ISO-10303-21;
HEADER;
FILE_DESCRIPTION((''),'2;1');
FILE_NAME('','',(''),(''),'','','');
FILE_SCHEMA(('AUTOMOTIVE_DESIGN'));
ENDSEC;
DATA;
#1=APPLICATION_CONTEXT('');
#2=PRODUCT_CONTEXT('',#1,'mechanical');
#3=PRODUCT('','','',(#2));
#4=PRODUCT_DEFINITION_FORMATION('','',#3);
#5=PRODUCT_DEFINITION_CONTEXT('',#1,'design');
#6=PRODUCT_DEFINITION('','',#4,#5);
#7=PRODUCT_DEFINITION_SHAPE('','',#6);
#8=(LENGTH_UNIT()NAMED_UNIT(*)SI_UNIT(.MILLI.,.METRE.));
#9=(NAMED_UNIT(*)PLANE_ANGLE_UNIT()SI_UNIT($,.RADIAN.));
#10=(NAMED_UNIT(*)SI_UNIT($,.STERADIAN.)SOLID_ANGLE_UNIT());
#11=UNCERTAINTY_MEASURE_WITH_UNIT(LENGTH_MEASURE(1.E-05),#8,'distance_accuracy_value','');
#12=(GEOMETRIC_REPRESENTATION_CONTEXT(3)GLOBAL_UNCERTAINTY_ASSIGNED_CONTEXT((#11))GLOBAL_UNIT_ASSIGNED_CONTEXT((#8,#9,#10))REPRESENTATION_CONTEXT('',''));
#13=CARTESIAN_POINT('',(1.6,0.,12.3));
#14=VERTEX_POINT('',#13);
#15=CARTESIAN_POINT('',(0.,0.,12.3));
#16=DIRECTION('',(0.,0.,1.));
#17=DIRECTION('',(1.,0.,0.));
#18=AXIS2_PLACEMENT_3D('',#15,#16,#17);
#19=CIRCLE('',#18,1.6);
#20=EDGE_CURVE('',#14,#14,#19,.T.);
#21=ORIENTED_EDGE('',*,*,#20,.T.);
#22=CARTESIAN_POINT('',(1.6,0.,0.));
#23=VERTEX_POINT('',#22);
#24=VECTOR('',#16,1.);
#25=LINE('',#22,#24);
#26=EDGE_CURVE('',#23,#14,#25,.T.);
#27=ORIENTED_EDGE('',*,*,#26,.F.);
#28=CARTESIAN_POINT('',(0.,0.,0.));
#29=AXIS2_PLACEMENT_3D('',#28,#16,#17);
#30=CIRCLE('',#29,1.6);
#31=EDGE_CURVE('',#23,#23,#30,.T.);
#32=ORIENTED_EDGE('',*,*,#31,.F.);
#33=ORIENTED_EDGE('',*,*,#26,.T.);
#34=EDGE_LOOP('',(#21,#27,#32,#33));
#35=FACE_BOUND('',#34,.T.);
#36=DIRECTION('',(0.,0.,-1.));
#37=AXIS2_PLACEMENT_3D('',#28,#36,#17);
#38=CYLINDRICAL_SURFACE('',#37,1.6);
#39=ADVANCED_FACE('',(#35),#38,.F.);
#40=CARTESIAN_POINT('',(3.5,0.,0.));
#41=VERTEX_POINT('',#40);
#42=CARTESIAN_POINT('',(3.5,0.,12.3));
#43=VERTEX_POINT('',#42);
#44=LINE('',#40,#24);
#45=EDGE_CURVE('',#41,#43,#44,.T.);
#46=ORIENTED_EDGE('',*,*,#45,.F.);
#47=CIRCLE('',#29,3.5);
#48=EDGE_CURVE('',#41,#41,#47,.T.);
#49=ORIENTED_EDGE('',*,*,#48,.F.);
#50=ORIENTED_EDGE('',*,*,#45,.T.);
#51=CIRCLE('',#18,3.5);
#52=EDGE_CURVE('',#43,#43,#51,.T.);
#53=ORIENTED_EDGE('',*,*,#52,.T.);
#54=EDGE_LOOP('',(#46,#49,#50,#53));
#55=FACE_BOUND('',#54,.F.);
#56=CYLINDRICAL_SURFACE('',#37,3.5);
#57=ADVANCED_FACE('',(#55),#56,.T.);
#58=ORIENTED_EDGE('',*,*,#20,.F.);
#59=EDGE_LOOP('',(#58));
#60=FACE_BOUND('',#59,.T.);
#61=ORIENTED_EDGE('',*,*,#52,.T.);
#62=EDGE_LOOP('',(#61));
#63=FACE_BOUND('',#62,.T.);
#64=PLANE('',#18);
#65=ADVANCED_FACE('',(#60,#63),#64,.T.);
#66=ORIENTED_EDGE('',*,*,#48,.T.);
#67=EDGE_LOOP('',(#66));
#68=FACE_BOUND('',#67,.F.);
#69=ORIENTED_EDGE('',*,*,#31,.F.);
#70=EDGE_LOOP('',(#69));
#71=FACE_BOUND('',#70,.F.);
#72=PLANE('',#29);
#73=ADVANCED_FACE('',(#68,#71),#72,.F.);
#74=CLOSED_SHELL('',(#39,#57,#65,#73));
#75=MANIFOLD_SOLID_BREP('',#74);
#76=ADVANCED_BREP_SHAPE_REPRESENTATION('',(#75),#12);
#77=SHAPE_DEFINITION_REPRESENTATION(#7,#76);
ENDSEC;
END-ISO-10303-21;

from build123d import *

# Parameters (mm, degrees)
SKETCH_R   = 3.5
SKETCH_R_2 = 1.6
PAD_DEPTH  = 12.3


with BuildPart() as part:
    # Sketch → Pad (new body)
    with BuildSketch(Plane.XY):
        Circle(SKETCH_R)
        Circle(SKETCH_R_2, mode=Mode.SUBTRACT)
    extrude(amount=PAD_DEPTH)


solid = part.part
